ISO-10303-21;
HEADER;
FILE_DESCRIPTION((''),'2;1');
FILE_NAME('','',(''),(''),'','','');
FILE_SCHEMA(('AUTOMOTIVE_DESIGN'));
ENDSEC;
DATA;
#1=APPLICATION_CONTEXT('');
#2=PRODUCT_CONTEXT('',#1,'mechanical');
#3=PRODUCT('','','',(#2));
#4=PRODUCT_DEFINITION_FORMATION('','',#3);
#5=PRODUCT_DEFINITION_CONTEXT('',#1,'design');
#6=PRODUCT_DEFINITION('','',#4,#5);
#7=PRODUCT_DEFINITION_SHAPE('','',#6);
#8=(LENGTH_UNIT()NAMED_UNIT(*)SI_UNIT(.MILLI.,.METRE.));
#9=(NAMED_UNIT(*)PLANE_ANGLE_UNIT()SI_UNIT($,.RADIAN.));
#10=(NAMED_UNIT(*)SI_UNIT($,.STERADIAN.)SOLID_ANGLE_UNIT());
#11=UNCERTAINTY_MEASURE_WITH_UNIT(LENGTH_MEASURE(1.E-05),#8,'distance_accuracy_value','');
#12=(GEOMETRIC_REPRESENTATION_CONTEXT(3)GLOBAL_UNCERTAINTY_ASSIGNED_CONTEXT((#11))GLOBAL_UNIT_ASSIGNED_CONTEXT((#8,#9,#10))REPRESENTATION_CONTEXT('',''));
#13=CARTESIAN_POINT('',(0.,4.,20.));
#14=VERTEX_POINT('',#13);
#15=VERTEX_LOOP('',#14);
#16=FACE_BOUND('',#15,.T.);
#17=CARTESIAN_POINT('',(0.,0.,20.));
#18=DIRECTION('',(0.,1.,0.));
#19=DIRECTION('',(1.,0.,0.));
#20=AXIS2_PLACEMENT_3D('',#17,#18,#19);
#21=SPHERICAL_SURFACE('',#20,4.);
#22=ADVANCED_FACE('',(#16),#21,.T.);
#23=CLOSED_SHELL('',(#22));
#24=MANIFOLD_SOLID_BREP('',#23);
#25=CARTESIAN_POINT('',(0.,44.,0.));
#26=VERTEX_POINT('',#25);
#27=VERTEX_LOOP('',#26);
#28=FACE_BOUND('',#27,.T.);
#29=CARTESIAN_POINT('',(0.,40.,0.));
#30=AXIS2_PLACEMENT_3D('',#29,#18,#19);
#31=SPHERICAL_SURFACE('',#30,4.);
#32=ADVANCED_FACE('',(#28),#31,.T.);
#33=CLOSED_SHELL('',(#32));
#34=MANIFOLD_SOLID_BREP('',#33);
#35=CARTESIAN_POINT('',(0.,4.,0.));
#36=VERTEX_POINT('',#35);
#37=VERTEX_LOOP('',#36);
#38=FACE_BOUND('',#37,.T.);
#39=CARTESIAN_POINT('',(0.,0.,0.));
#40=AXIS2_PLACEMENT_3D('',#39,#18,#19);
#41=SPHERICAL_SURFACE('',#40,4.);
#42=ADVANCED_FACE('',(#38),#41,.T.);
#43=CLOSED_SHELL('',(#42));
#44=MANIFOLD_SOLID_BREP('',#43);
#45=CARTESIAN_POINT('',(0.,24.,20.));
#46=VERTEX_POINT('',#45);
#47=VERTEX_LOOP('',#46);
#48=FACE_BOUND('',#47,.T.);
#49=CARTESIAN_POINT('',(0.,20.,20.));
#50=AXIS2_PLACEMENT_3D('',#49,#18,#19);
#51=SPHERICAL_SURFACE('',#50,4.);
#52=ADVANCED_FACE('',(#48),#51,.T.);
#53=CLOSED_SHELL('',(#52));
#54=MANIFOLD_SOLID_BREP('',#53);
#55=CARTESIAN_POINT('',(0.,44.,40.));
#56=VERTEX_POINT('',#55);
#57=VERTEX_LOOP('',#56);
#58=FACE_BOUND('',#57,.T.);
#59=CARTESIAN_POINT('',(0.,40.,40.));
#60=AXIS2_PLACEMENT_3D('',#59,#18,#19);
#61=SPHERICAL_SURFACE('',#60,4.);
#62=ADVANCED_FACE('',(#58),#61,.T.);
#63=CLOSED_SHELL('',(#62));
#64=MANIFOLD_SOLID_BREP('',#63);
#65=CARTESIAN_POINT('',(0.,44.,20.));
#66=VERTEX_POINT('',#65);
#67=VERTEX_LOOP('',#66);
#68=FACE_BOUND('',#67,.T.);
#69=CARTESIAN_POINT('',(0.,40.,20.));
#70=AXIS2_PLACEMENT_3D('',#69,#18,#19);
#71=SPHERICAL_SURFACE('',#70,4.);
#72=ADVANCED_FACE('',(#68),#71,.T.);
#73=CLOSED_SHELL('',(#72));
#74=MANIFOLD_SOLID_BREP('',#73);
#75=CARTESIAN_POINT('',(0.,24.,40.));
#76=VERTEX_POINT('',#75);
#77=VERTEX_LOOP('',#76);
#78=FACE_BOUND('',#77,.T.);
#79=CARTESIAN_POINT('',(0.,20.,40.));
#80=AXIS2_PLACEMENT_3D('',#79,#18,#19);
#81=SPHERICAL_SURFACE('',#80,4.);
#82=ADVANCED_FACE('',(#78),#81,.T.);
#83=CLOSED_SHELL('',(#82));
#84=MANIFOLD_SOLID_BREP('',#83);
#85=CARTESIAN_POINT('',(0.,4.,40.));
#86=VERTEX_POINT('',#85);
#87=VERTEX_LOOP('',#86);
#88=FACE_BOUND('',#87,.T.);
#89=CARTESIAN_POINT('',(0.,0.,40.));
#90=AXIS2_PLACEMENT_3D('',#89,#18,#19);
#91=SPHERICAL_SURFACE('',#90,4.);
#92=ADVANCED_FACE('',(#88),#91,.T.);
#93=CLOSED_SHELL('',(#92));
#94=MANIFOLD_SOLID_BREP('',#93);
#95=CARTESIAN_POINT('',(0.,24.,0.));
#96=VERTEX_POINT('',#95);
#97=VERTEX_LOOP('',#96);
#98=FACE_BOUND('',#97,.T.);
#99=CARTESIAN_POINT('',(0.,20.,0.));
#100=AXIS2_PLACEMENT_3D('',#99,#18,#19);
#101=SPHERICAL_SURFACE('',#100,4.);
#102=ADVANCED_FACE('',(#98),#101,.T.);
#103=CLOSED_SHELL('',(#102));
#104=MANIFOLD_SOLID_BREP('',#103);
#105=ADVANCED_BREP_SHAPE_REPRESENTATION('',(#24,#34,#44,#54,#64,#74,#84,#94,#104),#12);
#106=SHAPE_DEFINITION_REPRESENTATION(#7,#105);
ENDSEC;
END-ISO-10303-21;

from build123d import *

# Parameters (mm, degrees)
PATTERN_LINEAR_3_COUNT   = 3
PATTERN_LINEAR_3_PITCH   = 20
PATTERN_LINEAR_3_2_COUNT = 3
PATTERN_LINEAR_3_2_PITCH = 20


with BuildPart() as part:
    # 草图2 → 旋转5 (revolve)
    with BuildSketch(Plane.XY):
        with BuildLine():
            Line((0, 4), (0, -4))
            ThreePointArc((0, -4), (-4, 0), (0, 4))
        make_face()
    revolve(axis=Axis((0, 4, 0), (0, -1, 0)))


with BuildPart() as pattern_linear_3_1:
    # 阵列(线性)3: pattern copy
    add(part.part.moved(Location(Vector(0, 0, 1) * (1 * PATTERN_LINEAR_3_PITCH))))


with BuildPart() as pattern_linear_3_2:
    # 阵列(线性)3: pattern copy
    add(part.part.moved(Location(Vector(0, 0, 1) * (2 * PATTERN_LINEAR_3_PITCH))))


with BuildPart() as pattern_linear_3_2_1:
    # Pattern Linear 3 2: pattern copy
    add(part.part.moved(Location(Vector(0, 1, 0) * (1 * PATTERN_LINEAR_3_2_PITCH))))


with BuildPart() as pattern_linear_3_2_2:
    # Pattern Linear 3 2: pattern copy
    add(part.part.moved(Location(Vector(0, 1, 0) * (2 * PATTERN_LINEAR_3_2_PITCH))))


with BuildPart() as pattern_linear_3_2_3:
    # Pattern Linear 3 2: pattern copy
    add(pattern_linear_3_1.part.moved(Location(Vector(0, 1, 0) * (1 * PATTERN_LINEAR_3_2_PITCH))))


with BuildPart() as pattern_linear_3_2_4:
    # Pattern Linear 3 2: pattern copy
    add(pattern_linear_3_1.part.moved(Location(Vector(0, 1, 0) * (2 * PATTERN_LINEAR_3_2_PITCH))))


with BuildPart() as pattern_linear_3_2_5:
    # Pattern Linear 3 2: pattern copy
    add(pattern_linear_3_2.part.moved(Location(Vector(0, 1, 0) * (1 * PATTERN_LINEAR_3_2_PITCH))))


with BuildPart() as pattern_linear_3_2_6:
    # Pattern Linear 3 2: pattern copy
    add(pattern_linear_3_2.part.moved(Location(Vector(0, 1, 0) * (2 * PATTERN_LINEAR_3_2_PITCH))))


solid = Compound([part.part, pattern_linear_3_1.part, pattern_linear_3_2.part, pattern_linear_3_2_1.part, pattern_linear_3_2_2.part, pattern_linear_3_2_3.part, pattern_linear_3_2_4.part, pattern_linear_3_2_5.part, pattern_linear_3_2_6.part])
